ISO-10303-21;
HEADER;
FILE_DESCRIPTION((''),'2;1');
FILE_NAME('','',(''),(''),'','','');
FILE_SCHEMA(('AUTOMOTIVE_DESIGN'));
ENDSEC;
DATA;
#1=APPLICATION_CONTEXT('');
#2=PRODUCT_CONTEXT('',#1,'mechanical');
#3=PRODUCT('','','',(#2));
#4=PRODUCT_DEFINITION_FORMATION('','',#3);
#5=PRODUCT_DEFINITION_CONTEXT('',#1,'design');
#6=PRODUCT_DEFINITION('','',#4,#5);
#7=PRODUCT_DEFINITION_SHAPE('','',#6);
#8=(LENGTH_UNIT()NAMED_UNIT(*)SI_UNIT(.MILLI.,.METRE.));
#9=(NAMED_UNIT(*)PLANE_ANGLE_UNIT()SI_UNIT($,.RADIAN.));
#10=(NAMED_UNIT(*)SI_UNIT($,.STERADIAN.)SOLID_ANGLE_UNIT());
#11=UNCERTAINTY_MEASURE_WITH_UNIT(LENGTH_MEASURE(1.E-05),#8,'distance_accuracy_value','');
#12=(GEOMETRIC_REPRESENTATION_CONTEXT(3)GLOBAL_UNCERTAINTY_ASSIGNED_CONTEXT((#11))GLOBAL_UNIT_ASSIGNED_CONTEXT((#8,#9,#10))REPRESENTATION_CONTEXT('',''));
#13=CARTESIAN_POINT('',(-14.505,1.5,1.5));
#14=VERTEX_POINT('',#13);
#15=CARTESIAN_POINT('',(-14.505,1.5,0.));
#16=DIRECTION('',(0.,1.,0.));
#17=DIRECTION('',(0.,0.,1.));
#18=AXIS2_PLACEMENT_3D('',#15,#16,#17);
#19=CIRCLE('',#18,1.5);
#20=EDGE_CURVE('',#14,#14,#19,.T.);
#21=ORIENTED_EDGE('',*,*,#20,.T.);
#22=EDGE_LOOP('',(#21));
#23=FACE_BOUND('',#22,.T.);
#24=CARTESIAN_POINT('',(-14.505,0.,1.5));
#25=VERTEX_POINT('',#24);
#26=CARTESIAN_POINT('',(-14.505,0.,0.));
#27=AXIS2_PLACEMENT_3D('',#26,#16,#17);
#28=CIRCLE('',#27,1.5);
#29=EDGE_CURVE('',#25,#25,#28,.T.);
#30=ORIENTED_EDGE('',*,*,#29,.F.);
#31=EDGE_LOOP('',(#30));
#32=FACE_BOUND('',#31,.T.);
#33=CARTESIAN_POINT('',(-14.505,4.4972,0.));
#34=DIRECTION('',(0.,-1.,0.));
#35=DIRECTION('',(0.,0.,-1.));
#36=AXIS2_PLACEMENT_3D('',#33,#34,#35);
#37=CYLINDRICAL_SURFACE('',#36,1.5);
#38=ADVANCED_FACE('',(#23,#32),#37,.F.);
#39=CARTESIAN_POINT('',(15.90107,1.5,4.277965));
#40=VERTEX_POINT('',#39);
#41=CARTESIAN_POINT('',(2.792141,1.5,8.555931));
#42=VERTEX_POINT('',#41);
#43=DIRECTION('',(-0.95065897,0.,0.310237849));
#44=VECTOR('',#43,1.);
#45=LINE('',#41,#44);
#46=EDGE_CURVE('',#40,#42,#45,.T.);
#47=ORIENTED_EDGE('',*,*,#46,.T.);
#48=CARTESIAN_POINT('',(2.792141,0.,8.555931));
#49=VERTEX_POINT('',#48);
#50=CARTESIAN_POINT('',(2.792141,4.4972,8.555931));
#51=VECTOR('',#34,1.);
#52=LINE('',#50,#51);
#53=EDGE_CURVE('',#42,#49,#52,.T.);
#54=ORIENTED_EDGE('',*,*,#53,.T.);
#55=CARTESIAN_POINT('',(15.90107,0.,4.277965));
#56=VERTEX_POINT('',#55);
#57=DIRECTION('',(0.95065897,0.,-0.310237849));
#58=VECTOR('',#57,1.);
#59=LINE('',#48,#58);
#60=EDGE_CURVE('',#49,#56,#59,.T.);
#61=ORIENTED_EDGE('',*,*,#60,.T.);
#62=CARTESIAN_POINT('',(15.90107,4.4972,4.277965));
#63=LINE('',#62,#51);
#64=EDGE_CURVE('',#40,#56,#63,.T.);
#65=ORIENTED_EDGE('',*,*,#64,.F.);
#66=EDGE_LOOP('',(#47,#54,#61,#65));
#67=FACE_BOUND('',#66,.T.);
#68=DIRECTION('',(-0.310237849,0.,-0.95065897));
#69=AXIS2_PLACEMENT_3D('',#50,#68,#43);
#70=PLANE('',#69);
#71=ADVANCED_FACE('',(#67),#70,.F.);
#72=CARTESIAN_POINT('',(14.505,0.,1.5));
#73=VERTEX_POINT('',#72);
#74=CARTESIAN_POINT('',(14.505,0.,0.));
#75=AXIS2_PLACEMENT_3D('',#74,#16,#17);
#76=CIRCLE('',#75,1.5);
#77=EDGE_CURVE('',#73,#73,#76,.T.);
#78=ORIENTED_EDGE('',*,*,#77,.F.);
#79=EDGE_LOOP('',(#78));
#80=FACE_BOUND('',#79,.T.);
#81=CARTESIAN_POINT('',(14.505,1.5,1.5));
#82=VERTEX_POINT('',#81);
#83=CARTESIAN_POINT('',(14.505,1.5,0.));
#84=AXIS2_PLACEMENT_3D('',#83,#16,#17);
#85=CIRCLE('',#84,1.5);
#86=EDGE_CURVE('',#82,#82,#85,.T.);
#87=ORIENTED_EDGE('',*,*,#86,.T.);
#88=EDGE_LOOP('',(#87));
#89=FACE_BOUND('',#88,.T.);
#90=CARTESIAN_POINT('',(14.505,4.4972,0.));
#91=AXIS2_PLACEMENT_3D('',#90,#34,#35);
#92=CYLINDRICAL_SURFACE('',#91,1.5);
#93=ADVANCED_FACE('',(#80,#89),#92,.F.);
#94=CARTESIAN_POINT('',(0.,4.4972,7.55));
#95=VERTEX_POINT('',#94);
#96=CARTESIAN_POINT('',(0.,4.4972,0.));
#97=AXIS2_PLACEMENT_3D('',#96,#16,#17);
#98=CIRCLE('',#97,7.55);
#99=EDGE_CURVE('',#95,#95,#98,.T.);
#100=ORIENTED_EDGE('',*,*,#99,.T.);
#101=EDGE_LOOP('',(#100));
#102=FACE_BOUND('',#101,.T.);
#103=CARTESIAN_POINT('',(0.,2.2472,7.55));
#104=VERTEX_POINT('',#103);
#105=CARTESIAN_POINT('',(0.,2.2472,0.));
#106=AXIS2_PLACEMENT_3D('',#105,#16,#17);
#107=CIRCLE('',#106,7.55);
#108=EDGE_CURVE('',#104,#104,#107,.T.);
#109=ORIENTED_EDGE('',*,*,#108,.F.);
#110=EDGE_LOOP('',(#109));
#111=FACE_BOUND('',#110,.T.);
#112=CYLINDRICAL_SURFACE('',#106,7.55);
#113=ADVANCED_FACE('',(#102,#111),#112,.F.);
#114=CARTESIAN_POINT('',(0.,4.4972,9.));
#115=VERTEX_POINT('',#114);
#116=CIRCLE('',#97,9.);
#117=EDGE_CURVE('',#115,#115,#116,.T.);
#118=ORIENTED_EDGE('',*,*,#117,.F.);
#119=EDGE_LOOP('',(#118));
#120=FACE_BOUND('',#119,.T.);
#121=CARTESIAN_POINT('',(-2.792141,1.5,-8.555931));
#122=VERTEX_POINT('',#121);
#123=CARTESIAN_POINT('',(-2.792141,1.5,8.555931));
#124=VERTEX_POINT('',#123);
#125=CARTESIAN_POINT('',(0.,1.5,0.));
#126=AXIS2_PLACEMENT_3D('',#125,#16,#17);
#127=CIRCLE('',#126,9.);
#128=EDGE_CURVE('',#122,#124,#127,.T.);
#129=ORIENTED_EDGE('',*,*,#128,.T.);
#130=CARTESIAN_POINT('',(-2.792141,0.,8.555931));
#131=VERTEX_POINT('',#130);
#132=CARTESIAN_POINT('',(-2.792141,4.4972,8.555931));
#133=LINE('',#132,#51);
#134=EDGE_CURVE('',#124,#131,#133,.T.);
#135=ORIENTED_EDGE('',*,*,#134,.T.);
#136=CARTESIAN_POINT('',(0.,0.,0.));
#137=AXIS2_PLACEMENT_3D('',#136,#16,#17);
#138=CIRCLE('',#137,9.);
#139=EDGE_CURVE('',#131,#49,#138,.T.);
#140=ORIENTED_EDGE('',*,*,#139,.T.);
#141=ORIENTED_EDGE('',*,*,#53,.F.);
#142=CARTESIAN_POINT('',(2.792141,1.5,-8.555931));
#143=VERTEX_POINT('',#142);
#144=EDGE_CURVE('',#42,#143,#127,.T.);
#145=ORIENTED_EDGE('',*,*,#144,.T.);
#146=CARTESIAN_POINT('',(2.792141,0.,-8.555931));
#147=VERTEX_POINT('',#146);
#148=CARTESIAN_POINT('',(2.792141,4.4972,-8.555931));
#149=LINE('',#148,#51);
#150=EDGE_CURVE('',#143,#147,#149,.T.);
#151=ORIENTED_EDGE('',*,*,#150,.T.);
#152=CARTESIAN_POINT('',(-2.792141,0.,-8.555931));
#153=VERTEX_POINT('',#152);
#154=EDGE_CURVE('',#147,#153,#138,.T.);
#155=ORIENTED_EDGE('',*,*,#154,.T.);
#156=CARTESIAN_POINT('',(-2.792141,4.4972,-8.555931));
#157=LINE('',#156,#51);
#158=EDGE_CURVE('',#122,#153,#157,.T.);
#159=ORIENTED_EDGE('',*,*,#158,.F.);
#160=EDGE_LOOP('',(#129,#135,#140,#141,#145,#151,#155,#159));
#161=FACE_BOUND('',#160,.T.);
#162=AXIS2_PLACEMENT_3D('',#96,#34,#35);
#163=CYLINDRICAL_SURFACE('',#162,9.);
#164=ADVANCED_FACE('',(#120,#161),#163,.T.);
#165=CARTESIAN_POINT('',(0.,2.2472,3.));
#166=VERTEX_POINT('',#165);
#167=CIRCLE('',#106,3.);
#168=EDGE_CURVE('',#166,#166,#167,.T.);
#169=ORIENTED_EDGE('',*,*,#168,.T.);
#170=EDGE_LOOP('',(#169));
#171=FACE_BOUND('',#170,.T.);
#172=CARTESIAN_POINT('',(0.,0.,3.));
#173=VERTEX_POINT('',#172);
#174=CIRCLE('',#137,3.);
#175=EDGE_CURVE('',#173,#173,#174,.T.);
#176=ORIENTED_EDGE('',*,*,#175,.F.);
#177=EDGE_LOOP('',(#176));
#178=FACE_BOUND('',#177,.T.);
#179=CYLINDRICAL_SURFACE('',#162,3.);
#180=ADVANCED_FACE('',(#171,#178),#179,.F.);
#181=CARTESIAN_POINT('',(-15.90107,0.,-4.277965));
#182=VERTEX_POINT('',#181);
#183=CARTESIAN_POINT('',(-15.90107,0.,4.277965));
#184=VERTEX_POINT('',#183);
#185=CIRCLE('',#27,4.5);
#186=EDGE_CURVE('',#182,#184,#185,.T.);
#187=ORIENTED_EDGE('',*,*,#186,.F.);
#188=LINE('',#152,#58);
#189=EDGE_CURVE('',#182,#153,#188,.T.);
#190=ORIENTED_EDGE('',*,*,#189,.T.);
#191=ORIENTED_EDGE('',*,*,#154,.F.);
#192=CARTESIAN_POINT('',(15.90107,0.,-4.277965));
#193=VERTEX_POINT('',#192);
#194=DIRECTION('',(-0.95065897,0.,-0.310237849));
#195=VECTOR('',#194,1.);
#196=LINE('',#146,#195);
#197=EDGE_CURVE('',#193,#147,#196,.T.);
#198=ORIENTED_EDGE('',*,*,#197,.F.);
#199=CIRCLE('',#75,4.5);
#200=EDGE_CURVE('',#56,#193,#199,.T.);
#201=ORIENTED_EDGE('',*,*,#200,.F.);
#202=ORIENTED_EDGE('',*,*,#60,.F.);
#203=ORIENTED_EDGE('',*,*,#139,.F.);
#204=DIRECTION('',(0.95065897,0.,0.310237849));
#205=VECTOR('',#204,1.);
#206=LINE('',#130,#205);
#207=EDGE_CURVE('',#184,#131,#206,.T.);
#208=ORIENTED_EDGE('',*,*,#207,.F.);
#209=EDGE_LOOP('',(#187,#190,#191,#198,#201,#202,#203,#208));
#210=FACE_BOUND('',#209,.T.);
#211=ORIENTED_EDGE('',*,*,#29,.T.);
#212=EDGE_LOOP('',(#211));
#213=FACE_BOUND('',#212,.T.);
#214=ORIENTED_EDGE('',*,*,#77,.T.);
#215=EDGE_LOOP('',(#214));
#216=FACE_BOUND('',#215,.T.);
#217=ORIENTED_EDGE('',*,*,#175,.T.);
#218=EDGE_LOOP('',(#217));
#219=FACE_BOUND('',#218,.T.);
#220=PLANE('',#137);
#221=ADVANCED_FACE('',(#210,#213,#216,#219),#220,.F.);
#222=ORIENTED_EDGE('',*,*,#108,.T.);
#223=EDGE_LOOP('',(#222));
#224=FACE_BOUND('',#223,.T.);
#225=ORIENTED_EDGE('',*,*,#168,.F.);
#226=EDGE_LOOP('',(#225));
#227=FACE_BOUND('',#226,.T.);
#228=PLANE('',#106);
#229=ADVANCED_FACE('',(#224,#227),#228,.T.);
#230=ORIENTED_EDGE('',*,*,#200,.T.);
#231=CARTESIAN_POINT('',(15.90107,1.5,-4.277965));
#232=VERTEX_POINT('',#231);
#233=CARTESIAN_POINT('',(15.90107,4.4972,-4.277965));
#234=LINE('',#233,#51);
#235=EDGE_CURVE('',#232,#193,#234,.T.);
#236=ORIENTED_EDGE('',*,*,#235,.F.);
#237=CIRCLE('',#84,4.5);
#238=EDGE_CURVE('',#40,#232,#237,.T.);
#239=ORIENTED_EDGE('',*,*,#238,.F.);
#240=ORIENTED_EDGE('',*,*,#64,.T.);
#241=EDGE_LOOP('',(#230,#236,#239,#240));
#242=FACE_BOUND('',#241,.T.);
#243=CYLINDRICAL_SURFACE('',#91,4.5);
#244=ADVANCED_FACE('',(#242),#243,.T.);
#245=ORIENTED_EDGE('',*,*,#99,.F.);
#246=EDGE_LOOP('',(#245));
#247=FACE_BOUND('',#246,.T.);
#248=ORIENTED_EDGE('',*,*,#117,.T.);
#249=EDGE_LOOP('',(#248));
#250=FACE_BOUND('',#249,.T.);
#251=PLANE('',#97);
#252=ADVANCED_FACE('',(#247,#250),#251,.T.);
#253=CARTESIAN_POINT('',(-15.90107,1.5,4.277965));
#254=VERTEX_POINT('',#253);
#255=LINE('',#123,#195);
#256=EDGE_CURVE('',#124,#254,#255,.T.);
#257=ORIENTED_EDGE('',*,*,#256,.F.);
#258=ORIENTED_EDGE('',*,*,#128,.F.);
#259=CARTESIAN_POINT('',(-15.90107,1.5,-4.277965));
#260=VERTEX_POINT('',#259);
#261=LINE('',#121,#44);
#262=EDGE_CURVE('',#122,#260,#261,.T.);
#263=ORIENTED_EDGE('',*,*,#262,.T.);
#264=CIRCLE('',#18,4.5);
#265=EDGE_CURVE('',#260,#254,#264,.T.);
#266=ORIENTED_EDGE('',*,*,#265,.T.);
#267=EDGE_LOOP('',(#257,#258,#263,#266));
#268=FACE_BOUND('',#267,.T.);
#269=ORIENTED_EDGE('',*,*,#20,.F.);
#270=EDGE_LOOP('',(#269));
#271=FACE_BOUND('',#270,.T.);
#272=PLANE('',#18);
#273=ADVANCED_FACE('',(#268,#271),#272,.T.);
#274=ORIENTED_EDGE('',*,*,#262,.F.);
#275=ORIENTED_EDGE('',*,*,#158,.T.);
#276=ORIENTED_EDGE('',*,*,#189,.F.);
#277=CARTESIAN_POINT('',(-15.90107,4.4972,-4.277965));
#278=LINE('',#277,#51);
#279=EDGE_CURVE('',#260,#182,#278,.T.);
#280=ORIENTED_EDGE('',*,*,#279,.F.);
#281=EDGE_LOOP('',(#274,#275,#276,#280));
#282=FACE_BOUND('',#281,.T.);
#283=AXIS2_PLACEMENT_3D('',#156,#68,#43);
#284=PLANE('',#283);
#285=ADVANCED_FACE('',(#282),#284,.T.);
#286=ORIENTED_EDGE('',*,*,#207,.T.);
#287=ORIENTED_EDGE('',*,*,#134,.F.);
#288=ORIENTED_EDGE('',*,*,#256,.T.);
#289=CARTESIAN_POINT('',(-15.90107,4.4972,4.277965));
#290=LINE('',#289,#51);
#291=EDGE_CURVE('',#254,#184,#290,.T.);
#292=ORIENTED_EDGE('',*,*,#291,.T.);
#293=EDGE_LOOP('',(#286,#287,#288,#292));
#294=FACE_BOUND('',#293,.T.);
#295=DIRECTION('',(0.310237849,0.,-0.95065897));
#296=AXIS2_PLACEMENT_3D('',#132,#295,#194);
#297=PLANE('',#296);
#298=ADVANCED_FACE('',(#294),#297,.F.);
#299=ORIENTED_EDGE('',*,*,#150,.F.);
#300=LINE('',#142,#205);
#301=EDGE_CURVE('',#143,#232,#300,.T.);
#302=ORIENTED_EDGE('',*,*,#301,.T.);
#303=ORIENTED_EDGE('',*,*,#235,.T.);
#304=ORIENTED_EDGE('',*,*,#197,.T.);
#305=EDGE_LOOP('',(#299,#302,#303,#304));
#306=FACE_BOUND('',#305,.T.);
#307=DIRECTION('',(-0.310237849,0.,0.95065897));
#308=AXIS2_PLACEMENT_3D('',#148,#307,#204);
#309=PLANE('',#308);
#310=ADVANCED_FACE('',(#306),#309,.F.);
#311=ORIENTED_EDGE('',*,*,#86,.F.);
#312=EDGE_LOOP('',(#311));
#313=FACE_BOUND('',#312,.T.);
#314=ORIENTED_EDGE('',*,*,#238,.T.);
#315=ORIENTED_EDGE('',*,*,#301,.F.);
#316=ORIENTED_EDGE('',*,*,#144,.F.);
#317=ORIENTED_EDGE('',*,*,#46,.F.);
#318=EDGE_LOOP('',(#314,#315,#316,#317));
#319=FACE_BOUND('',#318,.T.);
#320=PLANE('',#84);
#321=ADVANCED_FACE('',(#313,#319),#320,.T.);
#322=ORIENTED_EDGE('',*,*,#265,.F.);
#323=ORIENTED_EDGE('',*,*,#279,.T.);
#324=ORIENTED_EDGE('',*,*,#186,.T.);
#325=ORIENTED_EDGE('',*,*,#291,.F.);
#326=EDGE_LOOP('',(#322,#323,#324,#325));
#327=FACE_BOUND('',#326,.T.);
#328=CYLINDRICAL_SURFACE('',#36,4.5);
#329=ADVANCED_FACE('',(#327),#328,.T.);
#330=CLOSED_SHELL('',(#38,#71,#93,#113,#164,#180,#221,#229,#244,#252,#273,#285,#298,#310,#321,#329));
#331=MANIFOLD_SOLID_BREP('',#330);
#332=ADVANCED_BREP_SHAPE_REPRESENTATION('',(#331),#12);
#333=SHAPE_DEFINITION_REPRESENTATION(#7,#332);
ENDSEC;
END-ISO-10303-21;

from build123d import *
from build123d.topology import SkipClean

# Parameters (mm, degrees)
SKETCH1_R           = 1.5
SKETCH1_R_2         = 3
BOSS_EXTRUDE1_DEPTH = 4.4972
CUT_EXTRUDE2_START  = 4.4972
SKETCH1_6_R         = 7.55
CUT_EXTRUDE2_DEPTH  = 2.25
CUT_EXTRUDE1_START  = 1.5
SKETCH1_5_R         = 1.5
CUT_EXTRUDE1_DEPTH  = 2.9972


with BuildPart() as part:
    # Sketch1 → Boss-Extrude1 (new body)
    with BuildSketch(Plane(origin=(0, 0, 0), x_dir=(1, 0, 0), z_dir=(0, 1, 0))):
        with BuildLine():
            Line((15.901070321, 4.277965365), (2.792140641, 8.555930729))
            ThreePointArc((2.792140641, 8.555930729), (0, 9), (-2.792140641, 8.555930729))
            Line((-2.792140641, 8.555930729), (-15.901070321, 4.277965365))
            ThreePointArc((-15.901070321, 4.277965365), (-19.005, 0), (-15.901070321, -4.277965365))
            Line((-15.901070321, -4.277965365), (-2.792140641, -8.555930729))
            ThreePointArc((-2.792140641, -8.555930729), (0, -9), (2.792140641, -8.555930729))
            Line((2.792140641, -8.555930729), (15.901070321, -4.277965365))
            ThreePointArc((15.901070321, -4.277965365), (19.005, 0), (15.901070321, 4.277965365))
        make_face()
        with Locations(Location((14.505, 0, 0), (0, 0, 270))):
            Circle(SKETCH1_R, mode=Mode.SUBTRACT)
        with Locations(Location((-14.505, 0, 0), (0, 0, 270))):
            Circle(SKETCH1_R, mode=Mode.SUBTRACT)
        with Locations(Location((0, 0, 0), (0, 0, 270))):
            Circle(SKETCH1_R_2, mode=Mode.SUBTRACT)
    extrude(amount=BOSS_EXTRUDE1_DEPTH)

    # Sketch1<6> → Cut-Extrude2 (cut)
    with BuildSketch(Plane(origin=(0, 0, 0), x_dir=(1, 0, 0), z_dir=(0, 1, 0)).offset(CUT_EXTRUDE2_START)):
        with Locations(Location((0, 0, 0), (0, 0, 270))):
            Circle(SKETCH1_6_R)
    extrude(amount=-CUT_EXTRUDE2_DEPTH, mode=Mode.SUBTRACT)

    # Sketch1<5> → Cut-Extrude1 (cut)
    # profile 1 of 2: a face of its own
    with SkipClean():  # the faces are left unmerged after this step: merging them gives an invalid solid
        with BuildSketch(Plane(origin=(0, 0, 0), x_dir=(1, 0, 0), z_dir=(0, 1, 0)).offset(CUT_EXTRUDE1_START)):
            with BuildLine():
                Line((-15.901070321, -4.277965365), (-2.792140641, -8.555930729))
                ThreePointArc((-2.792140641, -8.555930729), (-9, 0), (-2.792140641, 8.555930729))
                Line((-2.792140641, 8.555930729), (-15.901070321, 4.277965365))
                ThreePointArc((-15.901070321, 4.277965365), (-19.005, 0), (-15.901070321, -4.277965365))
            make_face()
            with Locations(Location((-14.505, 0, 0), (0, 0, 270))):
                Circle(SKETCH1_5_R, mode=Mode.SUBTRACT)
        # profile 2 of 2: a face of its own
        with BuildSketch(Plane(origin=(0, 0, 0), x_dir=(1, 0, 0), z_dir=(0, 1, 0)).offset(CUT_EXTRUDE1_START)):
            with BuildLine():
                ThreePointArc((9, 0), (7.284547542, -5.28539186), (2.792140641, -8.555930729))
                Line((2.792140641, -8.555930729), (15.901070321, -4.277965365))
                ThreePointArc((15.901070321, -4.277965365), (19.005, 0), (15.901070321, 4.277965365))
                Line((15.901070321, 4.277965365), (2.792140641, 8.555930729))
                ThreePointArc((2.792140641, 8.555930729), (7.284547542, 5.28539186), (9, 0))
            make_face()
            with Locations(Location((14.505, 0, 0), (0, 0, 270))):
                Circle(SKETCH1_5_R, mode=Mode.SUBTRACT)
        extrude(amount=CUT_EXTRUDE1_DEPTH, mode=Mode.SUBTRACT)


solid = part.part
